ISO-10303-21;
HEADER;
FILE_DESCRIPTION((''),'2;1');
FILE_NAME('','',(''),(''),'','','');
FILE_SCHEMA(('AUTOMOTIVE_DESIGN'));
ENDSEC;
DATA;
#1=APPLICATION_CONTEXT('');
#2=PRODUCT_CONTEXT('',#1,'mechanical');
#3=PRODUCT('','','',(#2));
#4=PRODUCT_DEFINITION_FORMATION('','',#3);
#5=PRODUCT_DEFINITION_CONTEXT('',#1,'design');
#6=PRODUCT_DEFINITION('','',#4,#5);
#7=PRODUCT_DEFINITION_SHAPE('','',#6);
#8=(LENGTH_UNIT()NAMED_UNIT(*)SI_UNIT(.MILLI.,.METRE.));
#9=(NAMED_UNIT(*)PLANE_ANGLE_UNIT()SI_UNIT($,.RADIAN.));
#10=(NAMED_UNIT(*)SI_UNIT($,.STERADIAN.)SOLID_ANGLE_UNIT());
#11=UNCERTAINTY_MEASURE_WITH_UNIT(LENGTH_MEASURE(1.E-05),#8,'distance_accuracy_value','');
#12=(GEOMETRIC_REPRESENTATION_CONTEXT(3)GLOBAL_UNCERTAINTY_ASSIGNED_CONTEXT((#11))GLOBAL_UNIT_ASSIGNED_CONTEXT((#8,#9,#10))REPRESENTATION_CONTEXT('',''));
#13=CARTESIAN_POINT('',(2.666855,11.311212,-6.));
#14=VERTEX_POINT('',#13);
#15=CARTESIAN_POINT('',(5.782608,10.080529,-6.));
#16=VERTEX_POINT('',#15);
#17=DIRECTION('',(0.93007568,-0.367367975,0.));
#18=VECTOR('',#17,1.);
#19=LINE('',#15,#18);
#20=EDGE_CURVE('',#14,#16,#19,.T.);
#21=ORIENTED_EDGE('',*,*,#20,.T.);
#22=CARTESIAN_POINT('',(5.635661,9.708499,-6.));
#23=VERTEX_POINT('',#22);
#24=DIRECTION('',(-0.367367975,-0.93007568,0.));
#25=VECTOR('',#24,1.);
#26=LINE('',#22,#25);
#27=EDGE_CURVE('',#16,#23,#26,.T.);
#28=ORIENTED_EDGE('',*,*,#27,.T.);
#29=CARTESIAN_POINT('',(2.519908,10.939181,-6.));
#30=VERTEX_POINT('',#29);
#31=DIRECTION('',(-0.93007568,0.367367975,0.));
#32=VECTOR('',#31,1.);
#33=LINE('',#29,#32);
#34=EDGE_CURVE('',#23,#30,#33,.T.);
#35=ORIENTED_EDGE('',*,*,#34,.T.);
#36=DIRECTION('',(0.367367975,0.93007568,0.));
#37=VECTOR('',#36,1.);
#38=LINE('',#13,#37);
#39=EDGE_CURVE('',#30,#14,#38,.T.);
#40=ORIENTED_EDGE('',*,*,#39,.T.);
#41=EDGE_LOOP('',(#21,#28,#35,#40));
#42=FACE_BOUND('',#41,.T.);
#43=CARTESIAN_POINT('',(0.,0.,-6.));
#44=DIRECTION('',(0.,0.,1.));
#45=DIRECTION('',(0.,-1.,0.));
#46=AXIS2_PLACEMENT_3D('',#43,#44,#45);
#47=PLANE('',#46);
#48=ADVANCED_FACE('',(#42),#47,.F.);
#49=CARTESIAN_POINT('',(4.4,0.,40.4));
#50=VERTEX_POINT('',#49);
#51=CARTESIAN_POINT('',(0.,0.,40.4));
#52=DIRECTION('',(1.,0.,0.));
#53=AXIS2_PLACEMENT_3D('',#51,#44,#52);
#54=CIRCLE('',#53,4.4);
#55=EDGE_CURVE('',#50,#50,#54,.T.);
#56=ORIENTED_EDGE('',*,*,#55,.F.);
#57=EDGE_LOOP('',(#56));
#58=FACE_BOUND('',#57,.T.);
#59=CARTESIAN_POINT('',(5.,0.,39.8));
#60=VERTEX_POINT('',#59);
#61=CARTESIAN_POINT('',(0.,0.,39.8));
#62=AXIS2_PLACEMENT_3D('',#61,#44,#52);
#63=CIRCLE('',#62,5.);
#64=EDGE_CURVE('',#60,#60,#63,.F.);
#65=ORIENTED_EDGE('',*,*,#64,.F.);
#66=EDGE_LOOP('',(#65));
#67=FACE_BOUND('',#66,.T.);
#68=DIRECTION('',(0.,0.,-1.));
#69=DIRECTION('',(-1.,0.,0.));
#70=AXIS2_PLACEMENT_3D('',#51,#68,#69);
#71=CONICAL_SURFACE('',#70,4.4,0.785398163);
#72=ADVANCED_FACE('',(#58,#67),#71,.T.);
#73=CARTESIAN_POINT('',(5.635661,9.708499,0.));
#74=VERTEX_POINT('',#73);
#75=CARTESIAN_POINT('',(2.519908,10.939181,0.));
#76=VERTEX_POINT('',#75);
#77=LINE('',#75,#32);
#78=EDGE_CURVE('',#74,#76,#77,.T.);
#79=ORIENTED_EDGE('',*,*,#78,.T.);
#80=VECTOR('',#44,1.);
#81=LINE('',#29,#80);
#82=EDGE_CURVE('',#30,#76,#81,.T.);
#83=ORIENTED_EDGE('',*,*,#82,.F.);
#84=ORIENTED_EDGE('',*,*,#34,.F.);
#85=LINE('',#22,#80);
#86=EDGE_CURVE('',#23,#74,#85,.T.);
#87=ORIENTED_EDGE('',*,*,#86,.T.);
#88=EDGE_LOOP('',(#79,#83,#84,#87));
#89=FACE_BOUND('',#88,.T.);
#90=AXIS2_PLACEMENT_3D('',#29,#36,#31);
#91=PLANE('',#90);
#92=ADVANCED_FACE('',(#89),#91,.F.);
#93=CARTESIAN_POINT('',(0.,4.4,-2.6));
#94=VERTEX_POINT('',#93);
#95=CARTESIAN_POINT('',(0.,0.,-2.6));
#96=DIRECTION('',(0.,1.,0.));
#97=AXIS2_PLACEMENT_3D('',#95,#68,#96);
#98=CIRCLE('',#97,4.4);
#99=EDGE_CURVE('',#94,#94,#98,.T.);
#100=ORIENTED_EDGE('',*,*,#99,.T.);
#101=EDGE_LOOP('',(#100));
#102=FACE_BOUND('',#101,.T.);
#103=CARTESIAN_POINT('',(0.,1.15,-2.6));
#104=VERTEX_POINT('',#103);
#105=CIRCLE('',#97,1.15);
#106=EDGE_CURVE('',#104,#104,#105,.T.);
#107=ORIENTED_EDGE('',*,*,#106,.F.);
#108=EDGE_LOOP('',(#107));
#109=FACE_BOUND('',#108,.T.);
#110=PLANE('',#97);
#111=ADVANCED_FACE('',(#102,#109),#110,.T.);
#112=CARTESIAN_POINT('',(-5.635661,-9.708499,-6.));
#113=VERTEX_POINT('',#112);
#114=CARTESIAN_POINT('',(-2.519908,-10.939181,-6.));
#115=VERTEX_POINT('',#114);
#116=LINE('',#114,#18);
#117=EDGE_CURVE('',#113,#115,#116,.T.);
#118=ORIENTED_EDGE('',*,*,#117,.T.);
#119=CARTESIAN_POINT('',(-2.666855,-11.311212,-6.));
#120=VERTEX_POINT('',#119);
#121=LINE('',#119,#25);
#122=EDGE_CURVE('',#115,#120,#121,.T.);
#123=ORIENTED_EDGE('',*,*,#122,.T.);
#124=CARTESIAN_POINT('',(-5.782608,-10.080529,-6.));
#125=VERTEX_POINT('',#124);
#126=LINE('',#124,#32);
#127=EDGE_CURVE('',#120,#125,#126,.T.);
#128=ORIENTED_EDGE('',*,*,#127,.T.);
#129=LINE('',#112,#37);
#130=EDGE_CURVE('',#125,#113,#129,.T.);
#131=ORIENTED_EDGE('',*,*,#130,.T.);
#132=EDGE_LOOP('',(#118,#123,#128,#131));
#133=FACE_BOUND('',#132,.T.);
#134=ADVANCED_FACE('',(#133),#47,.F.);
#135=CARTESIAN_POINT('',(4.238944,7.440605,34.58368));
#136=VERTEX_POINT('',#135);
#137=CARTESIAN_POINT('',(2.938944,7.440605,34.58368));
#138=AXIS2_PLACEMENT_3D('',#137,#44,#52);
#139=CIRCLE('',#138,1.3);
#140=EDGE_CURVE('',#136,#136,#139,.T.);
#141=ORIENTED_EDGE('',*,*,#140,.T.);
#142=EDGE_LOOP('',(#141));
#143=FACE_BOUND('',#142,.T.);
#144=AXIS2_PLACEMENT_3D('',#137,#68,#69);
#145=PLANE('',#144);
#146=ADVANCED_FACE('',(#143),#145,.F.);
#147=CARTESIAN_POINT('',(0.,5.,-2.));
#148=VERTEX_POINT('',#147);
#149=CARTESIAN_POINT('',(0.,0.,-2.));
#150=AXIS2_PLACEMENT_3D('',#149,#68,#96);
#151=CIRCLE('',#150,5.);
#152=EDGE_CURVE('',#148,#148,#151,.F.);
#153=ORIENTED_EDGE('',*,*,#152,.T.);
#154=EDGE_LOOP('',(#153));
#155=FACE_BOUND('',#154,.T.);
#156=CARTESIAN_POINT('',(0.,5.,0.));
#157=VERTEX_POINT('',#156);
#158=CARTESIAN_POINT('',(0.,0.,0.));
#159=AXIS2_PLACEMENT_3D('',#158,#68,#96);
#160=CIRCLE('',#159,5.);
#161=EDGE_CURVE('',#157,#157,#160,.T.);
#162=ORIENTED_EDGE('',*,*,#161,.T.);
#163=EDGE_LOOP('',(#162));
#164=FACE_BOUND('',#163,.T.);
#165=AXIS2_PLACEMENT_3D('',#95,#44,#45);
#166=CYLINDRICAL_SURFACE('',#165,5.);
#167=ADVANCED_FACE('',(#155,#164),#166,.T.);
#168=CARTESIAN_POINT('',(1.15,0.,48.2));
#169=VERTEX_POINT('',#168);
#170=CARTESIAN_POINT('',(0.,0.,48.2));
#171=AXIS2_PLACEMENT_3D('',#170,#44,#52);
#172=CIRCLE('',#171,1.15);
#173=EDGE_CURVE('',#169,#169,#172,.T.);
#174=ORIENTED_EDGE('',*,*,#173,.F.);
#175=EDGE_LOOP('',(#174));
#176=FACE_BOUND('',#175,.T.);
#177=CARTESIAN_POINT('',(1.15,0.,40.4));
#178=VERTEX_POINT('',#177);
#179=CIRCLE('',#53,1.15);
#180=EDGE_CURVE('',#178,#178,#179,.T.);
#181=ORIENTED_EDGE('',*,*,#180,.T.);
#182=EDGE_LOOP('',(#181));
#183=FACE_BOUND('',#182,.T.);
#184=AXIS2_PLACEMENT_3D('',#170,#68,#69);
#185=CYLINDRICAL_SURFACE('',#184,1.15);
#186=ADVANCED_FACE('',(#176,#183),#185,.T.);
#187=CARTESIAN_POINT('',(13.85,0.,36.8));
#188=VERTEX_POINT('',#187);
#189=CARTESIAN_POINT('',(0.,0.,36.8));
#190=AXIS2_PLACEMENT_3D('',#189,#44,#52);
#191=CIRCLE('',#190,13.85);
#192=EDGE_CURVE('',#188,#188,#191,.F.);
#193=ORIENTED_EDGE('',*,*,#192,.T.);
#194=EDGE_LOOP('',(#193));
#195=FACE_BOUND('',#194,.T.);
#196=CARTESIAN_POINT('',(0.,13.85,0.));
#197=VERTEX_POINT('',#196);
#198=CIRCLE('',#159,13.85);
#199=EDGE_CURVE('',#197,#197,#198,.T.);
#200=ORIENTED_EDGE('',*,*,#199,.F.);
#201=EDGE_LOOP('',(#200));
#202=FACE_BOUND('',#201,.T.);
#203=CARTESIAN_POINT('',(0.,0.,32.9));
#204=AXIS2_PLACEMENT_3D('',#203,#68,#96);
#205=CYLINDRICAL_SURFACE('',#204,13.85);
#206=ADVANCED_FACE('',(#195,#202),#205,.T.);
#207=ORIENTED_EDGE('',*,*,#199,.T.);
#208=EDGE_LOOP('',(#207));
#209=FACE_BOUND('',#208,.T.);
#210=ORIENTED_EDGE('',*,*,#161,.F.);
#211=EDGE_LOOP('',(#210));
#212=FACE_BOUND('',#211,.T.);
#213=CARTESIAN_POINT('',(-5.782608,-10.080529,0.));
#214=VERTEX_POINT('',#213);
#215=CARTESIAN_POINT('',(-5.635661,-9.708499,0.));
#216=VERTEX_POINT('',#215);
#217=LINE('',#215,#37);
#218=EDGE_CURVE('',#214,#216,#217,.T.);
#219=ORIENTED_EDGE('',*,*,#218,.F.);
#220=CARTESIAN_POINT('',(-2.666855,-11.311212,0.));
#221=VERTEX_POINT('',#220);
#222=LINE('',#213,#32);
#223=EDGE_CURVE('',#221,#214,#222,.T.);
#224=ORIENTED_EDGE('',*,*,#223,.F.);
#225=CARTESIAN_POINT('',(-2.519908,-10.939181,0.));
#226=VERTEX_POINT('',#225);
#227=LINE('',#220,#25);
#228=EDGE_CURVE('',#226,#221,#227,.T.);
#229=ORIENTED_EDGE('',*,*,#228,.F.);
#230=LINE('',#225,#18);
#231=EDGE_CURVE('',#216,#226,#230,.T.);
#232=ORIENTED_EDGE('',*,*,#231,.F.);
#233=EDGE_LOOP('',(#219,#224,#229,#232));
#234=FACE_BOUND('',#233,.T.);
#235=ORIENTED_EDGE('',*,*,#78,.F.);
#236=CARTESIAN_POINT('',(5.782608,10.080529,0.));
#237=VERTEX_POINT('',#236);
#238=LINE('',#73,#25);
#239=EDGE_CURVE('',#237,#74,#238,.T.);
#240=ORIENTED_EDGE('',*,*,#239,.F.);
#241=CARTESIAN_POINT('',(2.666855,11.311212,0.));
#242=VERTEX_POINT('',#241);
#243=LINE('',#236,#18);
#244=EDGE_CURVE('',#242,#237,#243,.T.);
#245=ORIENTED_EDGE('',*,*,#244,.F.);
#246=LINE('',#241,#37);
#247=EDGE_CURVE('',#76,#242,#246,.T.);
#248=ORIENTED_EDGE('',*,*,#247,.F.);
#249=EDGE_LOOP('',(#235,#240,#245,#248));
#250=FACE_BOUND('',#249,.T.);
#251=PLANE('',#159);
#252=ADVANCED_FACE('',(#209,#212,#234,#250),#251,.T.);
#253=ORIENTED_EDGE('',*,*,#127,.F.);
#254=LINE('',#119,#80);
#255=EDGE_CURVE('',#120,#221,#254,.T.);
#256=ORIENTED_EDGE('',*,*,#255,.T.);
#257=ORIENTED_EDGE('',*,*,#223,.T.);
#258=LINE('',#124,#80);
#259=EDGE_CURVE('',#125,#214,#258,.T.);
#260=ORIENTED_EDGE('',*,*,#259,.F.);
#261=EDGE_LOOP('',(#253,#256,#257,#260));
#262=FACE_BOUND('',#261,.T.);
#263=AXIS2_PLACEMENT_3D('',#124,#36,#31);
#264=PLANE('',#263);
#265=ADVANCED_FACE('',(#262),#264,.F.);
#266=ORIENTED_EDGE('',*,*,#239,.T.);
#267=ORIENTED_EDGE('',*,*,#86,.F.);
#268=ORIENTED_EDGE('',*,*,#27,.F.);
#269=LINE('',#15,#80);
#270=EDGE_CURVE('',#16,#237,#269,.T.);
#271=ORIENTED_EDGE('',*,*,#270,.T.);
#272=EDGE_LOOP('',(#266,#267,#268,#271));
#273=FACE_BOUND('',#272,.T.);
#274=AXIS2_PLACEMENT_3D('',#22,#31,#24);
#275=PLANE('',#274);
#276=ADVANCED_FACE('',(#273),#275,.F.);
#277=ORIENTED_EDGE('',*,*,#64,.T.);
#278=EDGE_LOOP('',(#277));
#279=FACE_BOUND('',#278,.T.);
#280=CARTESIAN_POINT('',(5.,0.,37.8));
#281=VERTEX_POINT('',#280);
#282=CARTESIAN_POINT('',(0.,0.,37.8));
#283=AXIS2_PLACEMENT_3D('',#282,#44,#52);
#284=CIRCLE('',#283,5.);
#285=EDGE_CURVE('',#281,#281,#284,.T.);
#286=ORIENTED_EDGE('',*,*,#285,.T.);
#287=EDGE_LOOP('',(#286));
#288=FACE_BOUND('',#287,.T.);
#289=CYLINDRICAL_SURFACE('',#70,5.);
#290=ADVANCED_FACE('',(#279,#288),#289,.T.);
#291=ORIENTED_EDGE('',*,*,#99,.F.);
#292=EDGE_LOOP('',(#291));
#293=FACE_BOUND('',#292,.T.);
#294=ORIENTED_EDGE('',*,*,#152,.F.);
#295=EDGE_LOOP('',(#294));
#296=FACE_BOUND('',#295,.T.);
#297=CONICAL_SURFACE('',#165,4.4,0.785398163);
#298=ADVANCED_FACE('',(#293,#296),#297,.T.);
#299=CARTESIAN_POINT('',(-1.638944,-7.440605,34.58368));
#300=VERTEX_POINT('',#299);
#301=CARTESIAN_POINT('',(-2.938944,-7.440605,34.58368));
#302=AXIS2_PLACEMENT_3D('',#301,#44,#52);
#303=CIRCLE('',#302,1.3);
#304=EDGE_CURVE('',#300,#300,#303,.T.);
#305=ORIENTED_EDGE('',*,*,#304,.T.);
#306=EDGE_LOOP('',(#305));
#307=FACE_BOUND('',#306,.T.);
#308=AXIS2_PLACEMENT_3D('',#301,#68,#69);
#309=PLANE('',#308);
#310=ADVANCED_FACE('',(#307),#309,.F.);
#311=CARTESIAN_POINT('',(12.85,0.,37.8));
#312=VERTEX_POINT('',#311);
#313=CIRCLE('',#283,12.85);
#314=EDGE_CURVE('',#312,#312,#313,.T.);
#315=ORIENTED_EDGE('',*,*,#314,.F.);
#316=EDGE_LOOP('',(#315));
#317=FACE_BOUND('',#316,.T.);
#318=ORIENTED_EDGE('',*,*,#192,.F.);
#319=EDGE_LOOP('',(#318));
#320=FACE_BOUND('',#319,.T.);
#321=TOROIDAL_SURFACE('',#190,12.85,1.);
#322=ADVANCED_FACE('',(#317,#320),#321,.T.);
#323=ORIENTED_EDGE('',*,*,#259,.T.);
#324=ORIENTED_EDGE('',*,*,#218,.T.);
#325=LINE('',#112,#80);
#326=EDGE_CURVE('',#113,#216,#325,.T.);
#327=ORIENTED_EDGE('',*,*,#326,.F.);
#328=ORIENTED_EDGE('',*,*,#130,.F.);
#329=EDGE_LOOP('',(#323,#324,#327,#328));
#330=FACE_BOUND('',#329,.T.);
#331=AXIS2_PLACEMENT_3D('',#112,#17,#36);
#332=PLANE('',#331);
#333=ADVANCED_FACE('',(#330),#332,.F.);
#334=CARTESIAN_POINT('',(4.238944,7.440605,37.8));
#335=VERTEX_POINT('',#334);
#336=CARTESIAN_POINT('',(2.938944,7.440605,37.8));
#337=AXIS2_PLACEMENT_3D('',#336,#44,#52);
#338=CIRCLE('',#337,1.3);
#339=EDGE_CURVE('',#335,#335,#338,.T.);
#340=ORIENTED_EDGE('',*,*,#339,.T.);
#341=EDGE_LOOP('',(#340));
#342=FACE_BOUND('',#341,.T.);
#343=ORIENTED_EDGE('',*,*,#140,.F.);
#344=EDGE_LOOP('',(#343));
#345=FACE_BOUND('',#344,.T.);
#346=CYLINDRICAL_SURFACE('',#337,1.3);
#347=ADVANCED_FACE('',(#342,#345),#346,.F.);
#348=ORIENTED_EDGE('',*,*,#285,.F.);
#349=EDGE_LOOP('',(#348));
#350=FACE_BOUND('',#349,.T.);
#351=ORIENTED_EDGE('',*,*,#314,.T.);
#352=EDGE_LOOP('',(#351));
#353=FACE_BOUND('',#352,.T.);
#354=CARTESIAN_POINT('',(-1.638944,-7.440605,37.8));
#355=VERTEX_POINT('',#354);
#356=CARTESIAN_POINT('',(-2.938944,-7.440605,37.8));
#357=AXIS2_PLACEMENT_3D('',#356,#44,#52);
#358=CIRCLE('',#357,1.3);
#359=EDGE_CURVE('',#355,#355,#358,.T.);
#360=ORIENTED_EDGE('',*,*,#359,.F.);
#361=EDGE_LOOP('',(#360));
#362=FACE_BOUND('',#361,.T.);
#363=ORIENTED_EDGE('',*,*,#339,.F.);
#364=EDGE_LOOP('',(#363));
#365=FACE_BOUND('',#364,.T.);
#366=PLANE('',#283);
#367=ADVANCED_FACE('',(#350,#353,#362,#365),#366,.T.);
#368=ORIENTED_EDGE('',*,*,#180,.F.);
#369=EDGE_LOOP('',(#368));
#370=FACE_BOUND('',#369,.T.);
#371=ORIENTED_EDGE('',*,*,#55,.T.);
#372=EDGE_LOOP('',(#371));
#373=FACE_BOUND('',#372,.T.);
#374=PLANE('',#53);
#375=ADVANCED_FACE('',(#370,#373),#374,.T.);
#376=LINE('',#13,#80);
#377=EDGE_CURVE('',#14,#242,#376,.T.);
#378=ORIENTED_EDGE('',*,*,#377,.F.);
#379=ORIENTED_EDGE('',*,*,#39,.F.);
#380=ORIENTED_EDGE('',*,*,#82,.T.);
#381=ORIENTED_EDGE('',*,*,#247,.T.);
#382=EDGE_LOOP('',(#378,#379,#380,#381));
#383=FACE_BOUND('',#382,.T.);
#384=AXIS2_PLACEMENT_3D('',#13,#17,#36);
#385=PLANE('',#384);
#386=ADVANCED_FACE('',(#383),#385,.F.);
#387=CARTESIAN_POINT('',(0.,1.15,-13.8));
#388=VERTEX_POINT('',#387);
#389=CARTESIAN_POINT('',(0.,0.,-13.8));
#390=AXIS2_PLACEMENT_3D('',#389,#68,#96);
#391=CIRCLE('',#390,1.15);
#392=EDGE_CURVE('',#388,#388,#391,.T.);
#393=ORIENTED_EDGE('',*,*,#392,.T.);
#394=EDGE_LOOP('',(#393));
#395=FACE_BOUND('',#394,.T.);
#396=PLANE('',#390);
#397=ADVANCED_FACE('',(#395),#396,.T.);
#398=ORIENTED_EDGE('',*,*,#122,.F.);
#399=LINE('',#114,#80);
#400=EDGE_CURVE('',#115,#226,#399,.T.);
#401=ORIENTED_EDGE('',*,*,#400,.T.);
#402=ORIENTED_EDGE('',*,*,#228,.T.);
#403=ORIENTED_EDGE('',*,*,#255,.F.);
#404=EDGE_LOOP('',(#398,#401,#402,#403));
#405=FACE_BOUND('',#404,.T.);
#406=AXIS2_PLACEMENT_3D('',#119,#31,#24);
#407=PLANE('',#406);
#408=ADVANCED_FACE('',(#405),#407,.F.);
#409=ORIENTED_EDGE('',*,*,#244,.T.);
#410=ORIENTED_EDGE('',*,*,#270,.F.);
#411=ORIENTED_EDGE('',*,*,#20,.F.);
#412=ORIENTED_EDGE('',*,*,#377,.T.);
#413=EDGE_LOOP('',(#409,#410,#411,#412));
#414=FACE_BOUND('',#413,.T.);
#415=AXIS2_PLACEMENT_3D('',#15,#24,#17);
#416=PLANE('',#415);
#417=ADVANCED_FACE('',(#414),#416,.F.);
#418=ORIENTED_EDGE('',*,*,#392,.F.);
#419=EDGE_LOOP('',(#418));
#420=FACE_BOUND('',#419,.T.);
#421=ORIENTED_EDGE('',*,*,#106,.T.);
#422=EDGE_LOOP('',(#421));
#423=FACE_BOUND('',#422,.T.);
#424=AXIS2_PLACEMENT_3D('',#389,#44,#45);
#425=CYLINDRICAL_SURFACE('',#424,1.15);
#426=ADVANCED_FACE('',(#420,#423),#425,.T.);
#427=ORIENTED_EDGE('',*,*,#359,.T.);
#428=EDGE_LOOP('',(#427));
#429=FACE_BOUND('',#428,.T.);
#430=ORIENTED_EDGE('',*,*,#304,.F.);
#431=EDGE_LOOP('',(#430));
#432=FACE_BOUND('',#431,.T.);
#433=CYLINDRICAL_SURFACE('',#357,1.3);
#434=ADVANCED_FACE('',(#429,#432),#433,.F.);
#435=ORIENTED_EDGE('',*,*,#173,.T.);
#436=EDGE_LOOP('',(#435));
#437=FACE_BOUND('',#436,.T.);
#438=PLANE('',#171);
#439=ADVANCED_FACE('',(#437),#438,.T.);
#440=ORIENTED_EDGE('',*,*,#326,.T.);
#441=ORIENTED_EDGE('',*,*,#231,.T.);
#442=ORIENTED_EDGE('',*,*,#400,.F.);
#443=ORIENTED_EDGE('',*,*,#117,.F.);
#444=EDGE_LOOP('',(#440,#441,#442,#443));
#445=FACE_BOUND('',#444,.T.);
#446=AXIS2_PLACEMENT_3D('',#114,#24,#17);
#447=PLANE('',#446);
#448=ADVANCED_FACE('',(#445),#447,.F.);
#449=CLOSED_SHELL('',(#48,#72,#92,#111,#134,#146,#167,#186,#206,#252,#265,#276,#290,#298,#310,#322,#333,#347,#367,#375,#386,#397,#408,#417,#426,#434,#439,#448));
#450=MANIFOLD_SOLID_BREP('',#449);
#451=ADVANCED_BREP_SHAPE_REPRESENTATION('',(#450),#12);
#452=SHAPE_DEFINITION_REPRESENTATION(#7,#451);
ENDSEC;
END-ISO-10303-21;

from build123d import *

# Parameters (mm, degrees)
SKETCH1_W                      = 13.85
SKETCH1_H                      = 20
SKETCH2_R                      = 13.85
BOSS_EXTRUDE1_DEPTH            = 12.9
BOSS_EXTRUDE2_DEPTH            = 6
BOSS_EXTRUDE3_DEPTH            = 6
BOSS_EXTRUDE4_START            = 4.9
SKETCH5_R                      = 13.85
BOSS_EXTRUDE4_DEPTH            = 4.9
SKETCH6_R                      = 5
BOSS_EXTRUDE5_DEPTH            = 2.6
SKETCH7_R                      = 1.15
BOSS_EXTRUDE6_DEPTH            = 7.8
BOSS_EXTRUDE7_START            = 2.6
SKETCH8_R                      = 5
BOSS_EXTRUDE7_DEPTH            = 2.6
BOSS_EXTRUDE8_START            = 11.2
SKETCH9_R                      = 1.15
BOSS_EXTRUDE8_DEPTH            = 11.2
F_2_6_2_6_DIAMETER_HOLE1_D     = 2.6
F_2_6_2_6_DIAMETER_HOLE1_DEPTH = 3.216319987
CHAMFER1_SIZE                  = 0.6
FILLET1_R                      = 1


with BuildPart() as part:
    # Sketch1 → Revolve1 (revolve)
    with BuildSketch(Plane.XZ, mode=Mode.PRIVATE) as revolve1_sk:
        with Locations((6.925, 22.9)):
            Rectangle(SKETCH1_W, SKETCH1_H)
    revolve(revolve1_sk.sketch.rotate(Axis((0, 0, 32.9), (0, 0, -1)), 270), axis=Axis((0, 0, 32.9), (0, 0, -1)))

    # Sketch2 → Boss-Extrude1 (add)
    with BuildSketch(Plane(origin=(0, 0, 12.9), x_dir=(-1, 0, 0), z_dir=(0, 0, -1))):
        with Locations(Location((0, 0, 0), (0, 0, 90))):
            Circle(SKETCH2_R)
    extrude(amount=BOSS_EXTRUDE1_DEPTH)

    # Sketch3 → Boss-Extrude2 (add)
    with BuildSketch(Plane(origin=(0, 0, 0), x_dir=(-1, 0, 0), z_dir=(0, 0, -1))):
        Polygon((-5.782608477, 10.080528964), (-2.666854949, 11.311211681), (-2.519907759, 10.939181409), (-5.635661287, 9.708498692), align=None)
    extrude(amount=BOSS_EXTRUDE2_DEPTH)

    # Sketch4 → Boss-Extrude3 (add)
    with BuildSketch(Plane(origin=(0, 0, 0), x_dir=(-1, 0, 0), z_dir=(0, 0, -1))):
        Polygon((2.519907759, -10.939181409), (5.635661287, -9.708498692), (5.782608477, -10.080528964), (2.666854949, -11.311211681), align=None)
    extrude(amount=BOSS_EXTRUDE3_DEPTH)

    # Sketch5 → Boss-Extrude4 (add)
    with BuildSketch(Plane.XY.offset(32.9).offset(BOSS_EXTRUDE4_START)):
        with Locations(Location((0, 0, 0), (0, 0, 90))):
            Circle(SKETCH5_R)
    extrude(amount=-BOSS_EXTRUDE4_DEPTH)

    # Sketch6 → Boss-Extrude5 (add)
    with BuildSketch(Plane.XY.offset(37.8)):
        Circle(SKETCH6_R)
    extrude(amount=BOSS_EXTRUDE5_DEPTH)

    # Sketch7 → Boss-Extrude6 (add)
    with BuildSketch(Plane.XY.offset(40.4)):
        Circle(SKETCH7_R)
    extrude(amount=BOSS_EXTRUDE6_DEPTH)

    # Sketch8 → Boss-Extrude7 (add)
    with BuildSketch(Plane(origin=(0, 0, 0), x_dir=(-1, 0, 0), z_dir=(0, 0, -1)).offset(BOSS_EXTRUDE7_START)):
        with Locations(Location((0, 0, 0), (0, 0, 180))):
            Circle(SKETCH8_R)
    extrude(amount=-BOSS_EXTRUDE7_DEPTH)

    # Sketch9 → Boss-Extrude8 (add)
    with BuildSketch(Plane(origin=(0, 0, -2.6), x_dir=(-1, 0, 0), z_dir=(0, 0, -1)).offset(BOSS_EXTRUDE8_START)):
        with Locations(Location((0, 0, 0), (0, 0, 180))):
            Circle(SKETCH9_R)
    extrude(amount=-BOSS_EXTRUDE8_DEPTH)

    # Ø2.6 (2.6) Diameter Hole1
    with Locations(Plane.XY.offset(37.8)):
        with Locations((-2.9389438, -7.440605442), (2.9389438, 7.440605442)):
            Hole(F_2_6_2_6_DIAMETER_HOLE1_D / 2, depth=F_2_6_2_6_DIAMETER_HOLE1_DEPTH)

    # Chamfer1
    chamfer1_edges = [part.edges().sort_by_distance(p)[0] for p in [
        (-5, 0, 40.4),
        (-5, 0, -2.6),
    ]]
    chamfer(chamfer1_edges, length=CHAMFER1_SIZE)

    # Fillet1
    fillet1_edges = [part.edges().sort_by_distance(p)[0] for p in [
        (0, -13.85, 37.8),
    ]]
    fillet(fillet1_edges, radius=FILLET1_R)


solid = part.part
